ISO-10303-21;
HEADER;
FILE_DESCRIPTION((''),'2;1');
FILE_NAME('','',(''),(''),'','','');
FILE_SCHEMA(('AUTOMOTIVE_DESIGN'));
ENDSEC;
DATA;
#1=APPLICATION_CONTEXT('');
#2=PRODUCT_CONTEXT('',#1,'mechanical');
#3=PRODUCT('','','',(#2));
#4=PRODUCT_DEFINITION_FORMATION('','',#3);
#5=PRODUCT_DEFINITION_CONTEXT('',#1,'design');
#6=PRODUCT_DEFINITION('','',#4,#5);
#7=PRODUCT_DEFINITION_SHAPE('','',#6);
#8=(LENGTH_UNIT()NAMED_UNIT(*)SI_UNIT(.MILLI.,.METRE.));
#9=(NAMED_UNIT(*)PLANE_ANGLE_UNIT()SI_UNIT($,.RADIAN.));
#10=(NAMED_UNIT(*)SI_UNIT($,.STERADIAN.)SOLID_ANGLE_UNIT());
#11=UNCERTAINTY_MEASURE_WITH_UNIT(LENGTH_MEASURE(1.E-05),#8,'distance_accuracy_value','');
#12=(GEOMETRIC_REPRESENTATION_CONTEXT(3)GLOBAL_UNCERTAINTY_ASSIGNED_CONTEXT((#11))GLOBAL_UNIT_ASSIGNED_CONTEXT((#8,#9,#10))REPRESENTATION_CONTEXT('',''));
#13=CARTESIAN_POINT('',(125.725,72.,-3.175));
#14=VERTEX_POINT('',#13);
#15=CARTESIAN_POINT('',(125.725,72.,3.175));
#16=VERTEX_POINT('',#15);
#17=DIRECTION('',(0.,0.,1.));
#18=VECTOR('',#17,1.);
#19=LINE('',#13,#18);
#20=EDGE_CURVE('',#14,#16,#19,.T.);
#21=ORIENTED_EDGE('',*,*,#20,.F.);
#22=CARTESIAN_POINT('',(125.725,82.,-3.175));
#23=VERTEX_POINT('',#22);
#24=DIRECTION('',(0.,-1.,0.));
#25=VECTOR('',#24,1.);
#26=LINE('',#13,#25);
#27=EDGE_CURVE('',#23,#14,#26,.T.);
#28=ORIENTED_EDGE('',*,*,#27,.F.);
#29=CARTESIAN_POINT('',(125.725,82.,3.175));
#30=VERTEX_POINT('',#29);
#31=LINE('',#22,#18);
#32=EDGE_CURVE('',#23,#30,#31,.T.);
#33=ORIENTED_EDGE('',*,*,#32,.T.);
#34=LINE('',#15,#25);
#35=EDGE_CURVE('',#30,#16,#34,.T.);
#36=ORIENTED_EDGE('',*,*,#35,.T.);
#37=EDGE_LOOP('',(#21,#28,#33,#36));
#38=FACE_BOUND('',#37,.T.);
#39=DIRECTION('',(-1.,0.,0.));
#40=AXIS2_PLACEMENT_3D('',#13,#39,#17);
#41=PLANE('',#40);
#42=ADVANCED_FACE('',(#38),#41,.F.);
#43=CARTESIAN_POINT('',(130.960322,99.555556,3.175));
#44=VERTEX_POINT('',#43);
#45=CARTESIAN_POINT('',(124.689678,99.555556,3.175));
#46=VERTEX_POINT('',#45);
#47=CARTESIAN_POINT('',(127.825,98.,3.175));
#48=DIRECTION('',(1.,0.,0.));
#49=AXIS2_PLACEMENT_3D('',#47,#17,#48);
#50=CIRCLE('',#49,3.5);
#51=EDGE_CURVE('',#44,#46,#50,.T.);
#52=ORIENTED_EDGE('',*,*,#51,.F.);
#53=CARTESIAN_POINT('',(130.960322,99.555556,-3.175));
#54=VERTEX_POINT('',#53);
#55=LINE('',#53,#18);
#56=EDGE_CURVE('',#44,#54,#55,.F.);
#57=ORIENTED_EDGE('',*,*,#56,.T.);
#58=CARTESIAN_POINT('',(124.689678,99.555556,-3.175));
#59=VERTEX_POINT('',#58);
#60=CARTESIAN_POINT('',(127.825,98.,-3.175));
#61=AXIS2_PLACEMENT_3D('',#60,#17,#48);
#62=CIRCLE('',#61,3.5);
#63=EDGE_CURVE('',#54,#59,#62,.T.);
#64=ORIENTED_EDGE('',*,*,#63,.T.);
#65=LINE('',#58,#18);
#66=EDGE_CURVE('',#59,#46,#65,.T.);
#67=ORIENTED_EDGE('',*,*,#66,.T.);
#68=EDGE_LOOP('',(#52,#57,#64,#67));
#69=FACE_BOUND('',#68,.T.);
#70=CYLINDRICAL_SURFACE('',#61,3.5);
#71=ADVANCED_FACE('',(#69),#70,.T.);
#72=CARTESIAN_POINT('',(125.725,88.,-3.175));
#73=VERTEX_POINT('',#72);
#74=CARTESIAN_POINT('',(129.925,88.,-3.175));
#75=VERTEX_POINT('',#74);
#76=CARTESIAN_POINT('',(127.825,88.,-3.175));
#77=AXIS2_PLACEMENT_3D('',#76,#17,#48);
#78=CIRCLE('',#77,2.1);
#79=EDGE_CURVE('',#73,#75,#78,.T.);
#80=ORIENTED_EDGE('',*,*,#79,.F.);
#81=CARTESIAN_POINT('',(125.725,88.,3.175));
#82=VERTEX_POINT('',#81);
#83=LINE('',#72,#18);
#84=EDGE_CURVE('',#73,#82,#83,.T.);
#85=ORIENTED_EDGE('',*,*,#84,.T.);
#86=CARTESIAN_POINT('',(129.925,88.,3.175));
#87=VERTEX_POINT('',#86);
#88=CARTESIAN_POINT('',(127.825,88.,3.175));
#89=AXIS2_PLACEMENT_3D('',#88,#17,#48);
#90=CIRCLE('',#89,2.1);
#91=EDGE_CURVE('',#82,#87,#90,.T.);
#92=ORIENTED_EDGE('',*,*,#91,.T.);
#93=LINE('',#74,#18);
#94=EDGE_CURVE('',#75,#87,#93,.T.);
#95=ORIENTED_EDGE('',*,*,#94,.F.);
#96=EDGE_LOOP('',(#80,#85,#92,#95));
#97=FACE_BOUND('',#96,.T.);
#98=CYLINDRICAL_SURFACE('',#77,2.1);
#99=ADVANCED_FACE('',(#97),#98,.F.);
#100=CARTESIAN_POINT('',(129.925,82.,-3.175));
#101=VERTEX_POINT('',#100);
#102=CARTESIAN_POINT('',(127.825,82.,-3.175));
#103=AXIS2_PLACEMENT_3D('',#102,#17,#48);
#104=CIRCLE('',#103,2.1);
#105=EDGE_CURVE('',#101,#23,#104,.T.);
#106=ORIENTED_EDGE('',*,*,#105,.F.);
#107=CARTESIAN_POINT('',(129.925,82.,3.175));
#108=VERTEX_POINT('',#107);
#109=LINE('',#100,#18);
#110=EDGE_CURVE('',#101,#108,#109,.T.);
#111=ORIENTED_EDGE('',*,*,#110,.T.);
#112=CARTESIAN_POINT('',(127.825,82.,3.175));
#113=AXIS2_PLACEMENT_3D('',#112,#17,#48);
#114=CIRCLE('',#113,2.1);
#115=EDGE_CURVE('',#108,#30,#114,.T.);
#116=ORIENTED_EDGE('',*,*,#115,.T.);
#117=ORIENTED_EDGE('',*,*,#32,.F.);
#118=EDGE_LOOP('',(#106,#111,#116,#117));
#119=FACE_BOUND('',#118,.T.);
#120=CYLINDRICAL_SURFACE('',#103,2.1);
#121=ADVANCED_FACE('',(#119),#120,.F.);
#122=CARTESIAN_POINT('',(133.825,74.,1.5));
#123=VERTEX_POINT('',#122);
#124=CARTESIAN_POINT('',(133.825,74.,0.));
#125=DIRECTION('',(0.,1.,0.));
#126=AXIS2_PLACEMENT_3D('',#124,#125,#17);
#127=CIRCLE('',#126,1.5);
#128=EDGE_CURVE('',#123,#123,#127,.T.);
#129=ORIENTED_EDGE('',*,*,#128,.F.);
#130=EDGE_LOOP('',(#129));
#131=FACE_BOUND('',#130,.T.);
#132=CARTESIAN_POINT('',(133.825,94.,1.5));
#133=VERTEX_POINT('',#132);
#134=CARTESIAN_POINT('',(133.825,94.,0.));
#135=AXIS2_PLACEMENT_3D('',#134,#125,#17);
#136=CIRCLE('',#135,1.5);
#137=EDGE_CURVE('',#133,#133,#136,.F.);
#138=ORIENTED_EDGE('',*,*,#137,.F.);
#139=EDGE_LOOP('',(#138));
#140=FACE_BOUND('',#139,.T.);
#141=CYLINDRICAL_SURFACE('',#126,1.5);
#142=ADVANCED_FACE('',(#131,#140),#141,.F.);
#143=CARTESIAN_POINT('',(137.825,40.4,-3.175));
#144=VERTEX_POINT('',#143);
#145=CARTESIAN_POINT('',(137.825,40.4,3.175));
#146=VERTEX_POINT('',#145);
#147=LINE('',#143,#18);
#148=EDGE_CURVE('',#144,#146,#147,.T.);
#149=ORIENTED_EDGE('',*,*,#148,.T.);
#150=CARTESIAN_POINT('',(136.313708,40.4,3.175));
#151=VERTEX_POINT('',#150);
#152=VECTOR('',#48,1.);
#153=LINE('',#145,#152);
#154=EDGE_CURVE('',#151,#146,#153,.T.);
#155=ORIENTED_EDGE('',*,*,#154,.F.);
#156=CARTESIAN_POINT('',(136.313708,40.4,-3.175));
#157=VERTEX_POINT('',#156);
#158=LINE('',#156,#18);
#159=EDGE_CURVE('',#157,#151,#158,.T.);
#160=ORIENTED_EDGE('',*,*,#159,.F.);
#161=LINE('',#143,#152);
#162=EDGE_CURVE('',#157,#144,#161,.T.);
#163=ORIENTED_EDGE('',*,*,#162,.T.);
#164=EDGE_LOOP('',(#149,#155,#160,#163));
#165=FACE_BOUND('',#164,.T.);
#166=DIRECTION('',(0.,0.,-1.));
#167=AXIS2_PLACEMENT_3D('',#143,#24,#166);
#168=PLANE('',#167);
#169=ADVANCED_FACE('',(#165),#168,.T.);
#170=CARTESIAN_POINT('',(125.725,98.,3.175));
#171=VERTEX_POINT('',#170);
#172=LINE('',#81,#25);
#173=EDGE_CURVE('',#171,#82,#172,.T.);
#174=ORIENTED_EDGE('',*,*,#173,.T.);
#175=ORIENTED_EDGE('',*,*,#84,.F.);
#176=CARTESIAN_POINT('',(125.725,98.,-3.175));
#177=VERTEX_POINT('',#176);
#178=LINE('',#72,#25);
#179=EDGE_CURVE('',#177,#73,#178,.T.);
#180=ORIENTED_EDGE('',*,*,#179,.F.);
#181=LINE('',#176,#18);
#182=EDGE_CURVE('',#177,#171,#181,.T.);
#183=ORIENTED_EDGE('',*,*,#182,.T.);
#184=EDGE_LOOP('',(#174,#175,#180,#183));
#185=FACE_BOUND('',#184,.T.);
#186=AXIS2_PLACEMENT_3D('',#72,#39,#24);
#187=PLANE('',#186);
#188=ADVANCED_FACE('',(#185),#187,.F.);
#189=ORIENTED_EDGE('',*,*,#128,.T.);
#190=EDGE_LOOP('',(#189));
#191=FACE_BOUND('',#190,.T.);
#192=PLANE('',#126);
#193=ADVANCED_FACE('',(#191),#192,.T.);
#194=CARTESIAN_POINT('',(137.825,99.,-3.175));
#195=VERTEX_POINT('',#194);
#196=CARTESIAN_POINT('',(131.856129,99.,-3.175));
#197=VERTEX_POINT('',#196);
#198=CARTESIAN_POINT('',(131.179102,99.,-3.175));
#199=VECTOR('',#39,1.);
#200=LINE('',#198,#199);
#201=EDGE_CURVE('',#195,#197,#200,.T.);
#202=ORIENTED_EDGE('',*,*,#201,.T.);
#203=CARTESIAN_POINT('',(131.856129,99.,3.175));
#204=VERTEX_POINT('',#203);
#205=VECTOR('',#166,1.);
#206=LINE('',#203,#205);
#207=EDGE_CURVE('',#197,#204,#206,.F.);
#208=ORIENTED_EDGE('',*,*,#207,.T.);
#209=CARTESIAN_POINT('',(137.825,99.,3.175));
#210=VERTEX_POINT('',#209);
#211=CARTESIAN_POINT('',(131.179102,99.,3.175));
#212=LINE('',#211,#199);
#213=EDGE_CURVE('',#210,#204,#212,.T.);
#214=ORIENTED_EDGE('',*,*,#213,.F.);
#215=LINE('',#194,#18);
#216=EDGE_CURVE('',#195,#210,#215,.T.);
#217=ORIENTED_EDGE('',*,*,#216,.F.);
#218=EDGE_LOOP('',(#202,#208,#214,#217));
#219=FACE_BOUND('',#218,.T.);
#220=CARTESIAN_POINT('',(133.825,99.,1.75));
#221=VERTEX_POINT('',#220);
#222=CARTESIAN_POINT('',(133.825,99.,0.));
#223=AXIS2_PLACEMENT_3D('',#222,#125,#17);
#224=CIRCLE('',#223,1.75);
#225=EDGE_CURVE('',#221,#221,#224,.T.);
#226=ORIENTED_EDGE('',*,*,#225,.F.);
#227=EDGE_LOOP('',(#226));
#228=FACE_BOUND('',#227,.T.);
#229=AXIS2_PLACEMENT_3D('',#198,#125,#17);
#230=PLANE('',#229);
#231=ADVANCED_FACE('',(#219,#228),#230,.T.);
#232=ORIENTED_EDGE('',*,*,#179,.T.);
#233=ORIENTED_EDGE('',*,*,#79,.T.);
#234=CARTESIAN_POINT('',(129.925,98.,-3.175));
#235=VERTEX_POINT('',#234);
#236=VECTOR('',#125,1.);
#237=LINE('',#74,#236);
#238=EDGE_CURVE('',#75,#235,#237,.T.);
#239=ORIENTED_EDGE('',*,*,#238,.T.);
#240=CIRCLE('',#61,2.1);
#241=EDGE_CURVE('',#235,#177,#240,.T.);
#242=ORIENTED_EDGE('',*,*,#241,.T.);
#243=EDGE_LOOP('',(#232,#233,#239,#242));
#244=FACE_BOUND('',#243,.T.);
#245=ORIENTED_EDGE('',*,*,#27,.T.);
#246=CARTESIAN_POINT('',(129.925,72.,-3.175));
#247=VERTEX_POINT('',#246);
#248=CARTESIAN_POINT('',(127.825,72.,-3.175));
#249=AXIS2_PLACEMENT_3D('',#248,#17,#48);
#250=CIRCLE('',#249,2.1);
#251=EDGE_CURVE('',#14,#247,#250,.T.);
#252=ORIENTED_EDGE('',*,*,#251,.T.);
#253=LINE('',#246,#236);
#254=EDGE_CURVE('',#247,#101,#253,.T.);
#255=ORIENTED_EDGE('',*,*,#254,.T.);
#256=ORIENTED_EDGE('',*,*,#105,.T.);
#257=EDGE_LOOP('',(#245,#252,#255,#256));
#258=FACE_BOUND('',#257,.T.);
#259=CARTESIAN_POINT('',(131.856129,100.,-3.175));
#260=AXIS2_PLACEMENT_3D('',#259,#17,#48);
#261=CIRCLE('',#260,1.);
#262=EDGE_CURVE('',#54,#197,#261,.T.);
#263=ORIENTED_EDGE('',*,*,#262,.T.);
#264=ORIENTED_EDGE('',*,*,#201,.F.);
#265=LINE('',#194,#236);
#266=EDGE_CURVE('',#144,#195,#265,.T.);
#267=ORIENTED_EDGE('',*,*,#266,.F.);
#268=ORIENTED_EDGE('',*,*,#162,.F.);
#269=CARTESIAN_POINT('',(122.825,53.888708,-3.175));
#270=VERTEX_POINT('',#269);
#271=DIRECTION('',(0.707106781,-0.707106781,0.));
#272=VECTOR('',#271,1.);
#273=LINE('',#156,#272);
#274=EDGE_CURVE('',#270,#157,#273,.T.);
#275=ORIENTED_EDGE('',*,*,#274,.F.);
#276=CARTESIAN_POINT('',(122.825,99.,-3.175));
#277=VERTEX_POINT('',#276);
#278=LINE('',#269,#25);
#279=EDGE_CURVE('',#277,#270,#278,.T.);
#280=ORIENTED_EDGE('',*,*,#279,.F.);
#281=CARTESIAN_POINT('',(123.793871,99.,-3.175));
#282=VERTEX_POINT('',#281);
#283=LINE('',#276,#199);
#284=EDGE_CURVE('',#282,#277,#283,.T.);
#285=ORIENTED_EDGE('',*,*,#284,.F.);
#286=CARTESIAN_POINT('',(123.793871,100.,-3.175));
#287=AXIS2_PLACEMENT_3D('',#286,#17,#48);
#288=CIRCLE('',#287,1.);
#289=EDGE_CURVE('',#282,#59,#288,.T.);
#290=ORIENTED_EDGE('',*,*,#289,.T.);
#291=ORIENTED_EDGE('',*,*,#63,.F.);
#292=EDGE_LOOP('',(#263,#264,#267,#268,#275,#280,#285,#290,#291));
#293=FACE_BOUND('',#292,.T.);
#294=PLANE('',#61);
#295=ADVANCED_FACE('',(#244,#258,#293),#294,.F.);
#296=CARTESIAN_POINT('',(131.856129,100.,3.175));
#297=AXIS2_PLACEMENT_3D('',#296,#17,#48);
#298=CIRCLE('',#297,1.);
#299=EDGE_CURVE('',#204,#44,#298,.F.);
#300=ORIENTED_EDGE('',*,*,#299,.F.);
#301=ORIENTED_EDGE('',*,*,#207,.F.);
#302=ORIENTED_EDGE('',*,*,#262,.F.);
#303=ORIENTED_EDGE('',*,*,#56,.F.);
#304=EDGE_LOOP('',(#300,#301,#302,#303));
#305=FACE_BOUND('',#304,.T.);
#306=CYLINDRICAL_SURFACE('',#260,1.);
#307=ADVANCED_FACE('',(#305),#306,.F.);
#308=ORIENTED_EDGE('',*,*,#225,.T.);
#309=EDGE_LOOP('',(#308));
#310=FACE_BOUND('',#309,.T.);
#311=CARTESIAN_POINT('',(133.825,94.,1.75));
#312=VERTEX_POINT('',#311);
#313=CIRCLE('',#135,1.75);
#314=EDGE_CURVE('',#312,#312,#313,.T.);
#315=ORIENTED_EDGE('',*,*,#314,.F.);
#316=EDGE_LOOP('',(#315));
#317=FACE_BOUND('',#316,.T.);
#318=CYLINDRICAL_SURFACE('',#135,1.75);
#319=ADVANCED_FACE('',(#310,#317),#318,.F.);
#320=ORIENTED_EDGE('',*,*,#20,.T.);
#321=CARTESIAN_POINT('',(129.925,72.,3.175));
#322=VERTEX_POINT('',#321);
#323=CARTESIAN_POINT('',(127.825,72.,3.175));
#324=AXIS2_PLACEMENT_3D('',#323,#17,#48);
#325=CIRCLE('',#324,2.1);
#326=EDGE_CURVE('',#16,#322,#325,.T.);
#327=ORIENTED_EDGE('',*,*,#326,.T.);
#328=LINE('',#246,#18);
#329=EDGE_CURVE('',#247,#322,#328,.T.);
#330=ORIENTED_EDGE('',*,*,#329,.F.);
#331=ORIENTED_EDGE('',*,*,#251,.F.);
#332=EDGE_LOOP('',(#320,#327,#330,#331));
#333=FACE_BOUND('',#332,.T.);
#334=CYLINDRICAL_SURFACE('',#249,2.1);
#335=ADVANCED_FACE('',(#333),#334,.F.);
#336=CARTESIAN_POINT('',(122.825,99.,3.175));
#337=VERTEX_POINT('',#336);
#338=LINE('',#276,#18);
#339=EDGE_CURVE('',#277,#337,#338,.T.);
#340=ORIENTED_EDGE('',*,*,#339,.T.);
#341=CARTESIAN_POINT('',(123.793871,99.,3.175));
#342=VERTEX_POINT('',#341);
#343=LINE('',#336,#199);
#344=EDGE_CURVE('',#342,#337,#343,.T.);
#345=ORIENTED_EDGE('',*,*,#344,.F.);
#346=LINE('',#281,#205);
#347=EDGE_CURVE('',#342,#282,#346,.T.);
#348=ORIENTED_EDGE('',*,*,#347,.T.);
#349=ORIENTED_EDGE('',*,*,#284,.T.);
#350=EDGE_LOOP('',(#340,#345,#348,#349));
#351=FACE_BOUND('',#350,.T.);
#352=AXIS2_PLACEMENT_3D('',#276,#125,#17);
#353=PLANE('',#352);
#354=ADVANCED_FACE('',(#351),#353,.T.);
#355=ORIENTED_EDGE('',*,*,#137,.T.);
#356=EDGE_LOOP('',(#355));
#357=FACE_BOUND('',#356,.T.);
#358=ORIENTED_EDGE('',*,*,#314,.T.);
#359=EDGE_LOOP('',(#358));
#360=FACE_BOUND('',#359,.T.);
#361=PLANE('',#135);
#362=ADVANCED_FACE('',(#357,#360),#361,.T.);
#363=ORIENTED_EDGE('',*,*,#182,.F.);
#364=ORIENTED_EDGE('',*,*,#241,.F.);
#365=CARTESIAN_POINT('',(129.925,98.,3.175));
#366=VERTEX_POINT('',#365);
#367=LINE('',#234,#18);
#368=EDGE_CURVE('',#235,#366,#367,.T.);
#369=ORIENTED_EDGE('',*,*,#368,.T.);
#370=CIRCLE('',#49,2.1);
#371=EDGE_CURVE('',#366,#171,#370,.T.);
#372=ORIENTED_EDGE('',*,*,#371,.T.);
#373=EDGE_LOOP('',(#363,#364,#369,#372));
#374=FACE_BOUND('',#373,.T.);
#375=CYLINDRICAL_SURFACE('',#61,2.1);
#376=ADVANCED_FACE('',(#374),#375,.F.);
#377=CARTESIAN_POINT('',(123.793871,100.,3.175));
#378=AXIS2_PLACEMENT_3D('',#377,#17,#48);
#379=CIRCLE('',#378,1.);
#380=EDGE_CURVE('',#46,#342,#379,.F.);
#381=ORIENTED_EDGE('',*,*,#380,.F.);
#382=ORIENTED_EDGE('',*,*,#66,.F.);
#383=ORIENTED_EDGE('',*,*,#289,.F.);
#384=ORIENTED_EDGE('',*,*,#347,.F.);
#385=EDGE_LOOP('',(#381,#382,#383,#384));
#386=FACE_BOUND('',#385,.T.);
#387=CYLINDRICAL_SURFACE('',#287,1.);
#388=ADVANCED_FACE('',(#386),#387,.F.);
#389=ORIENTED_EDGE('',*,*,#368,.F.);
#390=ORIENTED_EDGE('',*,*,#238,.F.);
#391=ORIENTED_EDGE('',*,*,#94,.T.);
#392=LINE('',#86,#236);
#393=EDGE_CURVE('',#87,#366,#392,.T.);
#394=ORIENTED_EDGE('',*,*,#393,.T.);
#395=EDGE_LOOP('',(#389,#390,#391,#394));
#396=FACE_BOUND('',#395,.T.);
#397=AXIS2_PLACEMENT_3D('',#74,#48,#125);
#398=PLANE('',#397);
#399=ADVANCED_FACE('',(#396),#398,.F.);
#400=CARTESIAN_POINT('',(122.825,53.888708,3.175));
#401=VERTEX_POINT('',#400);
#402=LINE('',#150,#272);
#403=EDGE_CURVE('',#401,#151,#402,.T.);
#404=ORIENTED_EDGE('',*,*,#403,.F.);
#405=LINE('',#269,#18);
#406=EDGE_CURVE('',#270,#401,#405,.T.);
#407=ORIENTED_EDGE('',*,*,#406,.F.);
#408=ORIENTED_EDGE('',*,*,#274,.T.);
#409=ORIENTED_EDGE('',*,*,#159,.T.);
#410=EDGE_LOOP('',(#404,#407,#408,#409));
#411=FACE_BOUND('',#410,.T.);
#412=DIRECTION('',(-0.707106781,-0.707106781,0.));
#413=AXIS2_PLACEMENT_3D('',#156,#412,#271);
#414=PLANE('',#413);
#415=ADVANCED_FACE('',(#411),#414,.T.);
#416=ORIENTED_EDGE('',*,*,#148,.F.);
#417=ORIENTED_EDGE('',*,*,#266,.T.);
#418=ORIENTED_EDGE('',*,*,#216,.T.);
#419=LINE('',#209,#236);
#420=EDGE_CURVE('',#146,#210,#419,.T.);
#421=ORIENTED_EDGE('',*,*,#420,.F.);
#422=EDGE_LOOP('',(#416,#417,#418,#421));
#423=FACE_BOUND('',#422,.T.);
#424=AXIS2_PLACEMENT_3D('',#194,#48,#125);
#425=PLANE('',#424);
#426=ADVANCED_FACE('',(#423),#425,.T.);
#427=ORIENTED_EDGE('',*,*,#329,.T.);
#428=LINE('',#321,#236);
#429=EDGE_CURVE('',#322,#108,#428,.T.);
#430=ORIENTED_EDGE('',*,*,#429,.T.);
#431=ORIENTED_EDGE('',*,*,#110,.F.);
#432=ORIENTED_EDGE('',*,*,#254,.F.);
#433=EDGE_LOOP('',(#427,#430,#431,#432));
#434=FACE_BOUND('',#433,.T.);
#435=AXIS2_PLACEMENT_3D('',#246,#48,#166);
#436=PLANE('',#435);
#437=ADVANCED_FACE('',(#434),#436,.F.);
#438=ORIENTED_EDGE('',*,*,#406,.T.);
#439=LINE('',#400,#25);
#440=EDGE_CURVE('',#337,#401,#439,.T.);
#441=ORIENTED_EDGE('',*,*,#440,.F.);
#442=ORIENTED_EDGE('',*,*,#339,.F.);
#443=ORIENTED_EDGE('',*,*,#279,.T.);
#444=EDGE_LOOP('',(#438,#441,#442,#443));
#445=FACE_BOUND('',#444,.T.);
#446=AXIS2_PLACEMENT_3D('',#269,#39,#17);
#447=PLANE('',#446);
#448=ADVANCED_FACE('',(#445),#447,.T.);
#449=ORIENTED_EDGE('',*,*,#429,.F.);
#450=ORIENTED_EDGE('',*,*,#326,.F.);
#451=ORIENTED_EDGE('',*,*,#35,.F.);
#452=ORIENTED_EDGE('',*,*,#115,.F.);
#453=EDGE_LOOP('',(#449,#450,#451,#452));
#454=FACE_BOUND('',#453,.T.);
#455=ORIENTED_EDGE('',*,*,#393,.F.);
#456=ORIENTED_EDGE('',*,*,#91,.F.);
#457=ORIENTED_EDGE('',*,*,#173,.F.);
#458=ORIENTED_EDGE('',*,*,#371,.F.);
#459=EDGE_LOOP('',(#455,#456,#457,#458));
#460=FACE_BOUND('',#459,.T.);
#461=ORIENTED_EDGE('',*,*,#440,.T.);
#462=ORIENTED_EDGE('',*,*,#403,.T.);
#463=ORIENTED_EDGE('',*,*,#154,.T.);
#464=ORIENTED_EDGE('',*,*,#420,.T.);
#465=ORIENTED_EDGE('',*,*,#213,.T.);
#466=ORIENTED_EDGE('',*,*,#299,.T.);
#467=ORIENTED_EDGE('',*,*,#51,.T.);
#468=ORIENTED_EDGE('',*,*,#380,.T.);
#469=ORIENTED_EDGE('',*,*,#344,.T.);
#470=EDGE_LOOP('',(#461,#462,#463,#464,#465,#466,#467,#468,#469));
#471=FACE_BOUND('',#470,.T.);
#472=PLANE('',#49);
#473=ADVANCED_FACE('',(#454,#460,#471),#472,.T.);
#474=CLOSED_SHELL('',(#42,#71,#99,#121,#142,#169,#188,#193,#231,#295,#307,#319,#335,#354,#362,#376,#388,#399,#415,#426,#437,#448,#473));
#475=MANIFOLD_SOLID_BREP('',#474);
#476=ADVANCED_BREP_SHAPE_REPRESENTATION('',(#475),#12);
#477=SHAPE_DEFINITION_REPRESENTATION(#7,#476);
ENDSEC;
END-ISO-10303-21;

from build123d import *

# Parameters (mm, degrees)
BOSS_EXTRUDE1_DEPTH      = 3.175
BOSS_EXTRUDE1_DEPTH_BACK = 3.175
CUT_EXTRUDE1_DEPTH       = 7.35
SKETCH3_R                = 1.5
CUT_EXTRUDE2_DEPTH       = 25
SKETCH4_R                = 1.75
CUT_EXTRUDE3_DEPTH       = 5
FILLET1_R                = 1


with BuildPart() as part:
    # Sketch1 → Boss-Extrude1 (new body, two sides)
    with BuildSketch(Plane.XY) as boss_extrude1_sk:
        with BuildLine():
            Line((136.313708499, 40.4), (122.825, 53.888708499))
            Line((122.825, 53.888708499), (122.825, 99))
            Line((122.825, 99), (124.470898034, 99))
            ThreePointArc((124.470898034, 99), (127.825, 101.5), (131.179101966, 99))
            Line((131.179101966, 99), (137.825, 99))
            Line((137.825, 99), (137.825, 40.4))
            Line((137.825, 40.4), (136.313708499, 40.4))
        make_face()
    extrude(amount=BOSS_EXTRUDE1_DEPTH)
    extrude(boss_extrude1_sk.sketch, amount=-BOSS_EXTRUDE1_DEPTH_BACK)

    # Sketch2 → Cut-Extrude1 (cut, through all)
    with BuildSketch(Plane.XY.offset(3.175)):
        with BuildLine():
            Line((125.725, 72), (125.725, 82))
            ThreePointArc((125.725, 82), (127.825, 84.1), (129.925, 82))
            Line((129.925, 82), (129.925, 72))
            ThreePointArc((129.925, 72), (127.825, 69.9), (125.725, 72))
        make_face()
        with BuildLine():
            Line((125.725, 88), (125.725, 98))
            ThreePointArc((125.725, 98), (127.825, 100.1), (129.925, 98))
            Line((129.925, 98), (129.925, 88))
            ThreePointArc((129.925, 88), (127.825, 85.9), (125.725, 88))
        make_face()
    extrude(amount=-CUT_EXTRUDE1_DEPTH, mode=Mode.SUBTRACT)

    # Sketch3 → Cut-Extrude2 (cut)
    with BuildSketch(Plane(origin=(0, 99, 0), x_dir=(1, 0, 0), z_dir=(0, 1, 0))):
        with Locations((133.825, 0)):
            Circle(SKETCH3_R)
    extrude(amount=-CUT_EXTRUDE2_DEPTH, mode=Mode.SUBTRACT)

    # Sketch4 → Cut-Extrude3 (cut)
    with BuildSketch(Plane(origin=(0, 99, 0), x_dir=(-1, 0, 0), z_dir=(0, 1, 0))):
        with Locations((-133.825, 0)):
            Circle(SKETCH4_R)
    extrude(amount=-CUT_EXTRUDE3_DEPTH, mode=Mode.SUBTRACT)

    # Fillet1
    fillet1_edges = [part.edges().sort_by_distance(p)[0] for p in [
        (124.470898034, 99, 0),
        (131.179101966, 99, 0),
    ]]
    fillet(fillet1_edges, radius=FILLET1_R)


solid = part.part
